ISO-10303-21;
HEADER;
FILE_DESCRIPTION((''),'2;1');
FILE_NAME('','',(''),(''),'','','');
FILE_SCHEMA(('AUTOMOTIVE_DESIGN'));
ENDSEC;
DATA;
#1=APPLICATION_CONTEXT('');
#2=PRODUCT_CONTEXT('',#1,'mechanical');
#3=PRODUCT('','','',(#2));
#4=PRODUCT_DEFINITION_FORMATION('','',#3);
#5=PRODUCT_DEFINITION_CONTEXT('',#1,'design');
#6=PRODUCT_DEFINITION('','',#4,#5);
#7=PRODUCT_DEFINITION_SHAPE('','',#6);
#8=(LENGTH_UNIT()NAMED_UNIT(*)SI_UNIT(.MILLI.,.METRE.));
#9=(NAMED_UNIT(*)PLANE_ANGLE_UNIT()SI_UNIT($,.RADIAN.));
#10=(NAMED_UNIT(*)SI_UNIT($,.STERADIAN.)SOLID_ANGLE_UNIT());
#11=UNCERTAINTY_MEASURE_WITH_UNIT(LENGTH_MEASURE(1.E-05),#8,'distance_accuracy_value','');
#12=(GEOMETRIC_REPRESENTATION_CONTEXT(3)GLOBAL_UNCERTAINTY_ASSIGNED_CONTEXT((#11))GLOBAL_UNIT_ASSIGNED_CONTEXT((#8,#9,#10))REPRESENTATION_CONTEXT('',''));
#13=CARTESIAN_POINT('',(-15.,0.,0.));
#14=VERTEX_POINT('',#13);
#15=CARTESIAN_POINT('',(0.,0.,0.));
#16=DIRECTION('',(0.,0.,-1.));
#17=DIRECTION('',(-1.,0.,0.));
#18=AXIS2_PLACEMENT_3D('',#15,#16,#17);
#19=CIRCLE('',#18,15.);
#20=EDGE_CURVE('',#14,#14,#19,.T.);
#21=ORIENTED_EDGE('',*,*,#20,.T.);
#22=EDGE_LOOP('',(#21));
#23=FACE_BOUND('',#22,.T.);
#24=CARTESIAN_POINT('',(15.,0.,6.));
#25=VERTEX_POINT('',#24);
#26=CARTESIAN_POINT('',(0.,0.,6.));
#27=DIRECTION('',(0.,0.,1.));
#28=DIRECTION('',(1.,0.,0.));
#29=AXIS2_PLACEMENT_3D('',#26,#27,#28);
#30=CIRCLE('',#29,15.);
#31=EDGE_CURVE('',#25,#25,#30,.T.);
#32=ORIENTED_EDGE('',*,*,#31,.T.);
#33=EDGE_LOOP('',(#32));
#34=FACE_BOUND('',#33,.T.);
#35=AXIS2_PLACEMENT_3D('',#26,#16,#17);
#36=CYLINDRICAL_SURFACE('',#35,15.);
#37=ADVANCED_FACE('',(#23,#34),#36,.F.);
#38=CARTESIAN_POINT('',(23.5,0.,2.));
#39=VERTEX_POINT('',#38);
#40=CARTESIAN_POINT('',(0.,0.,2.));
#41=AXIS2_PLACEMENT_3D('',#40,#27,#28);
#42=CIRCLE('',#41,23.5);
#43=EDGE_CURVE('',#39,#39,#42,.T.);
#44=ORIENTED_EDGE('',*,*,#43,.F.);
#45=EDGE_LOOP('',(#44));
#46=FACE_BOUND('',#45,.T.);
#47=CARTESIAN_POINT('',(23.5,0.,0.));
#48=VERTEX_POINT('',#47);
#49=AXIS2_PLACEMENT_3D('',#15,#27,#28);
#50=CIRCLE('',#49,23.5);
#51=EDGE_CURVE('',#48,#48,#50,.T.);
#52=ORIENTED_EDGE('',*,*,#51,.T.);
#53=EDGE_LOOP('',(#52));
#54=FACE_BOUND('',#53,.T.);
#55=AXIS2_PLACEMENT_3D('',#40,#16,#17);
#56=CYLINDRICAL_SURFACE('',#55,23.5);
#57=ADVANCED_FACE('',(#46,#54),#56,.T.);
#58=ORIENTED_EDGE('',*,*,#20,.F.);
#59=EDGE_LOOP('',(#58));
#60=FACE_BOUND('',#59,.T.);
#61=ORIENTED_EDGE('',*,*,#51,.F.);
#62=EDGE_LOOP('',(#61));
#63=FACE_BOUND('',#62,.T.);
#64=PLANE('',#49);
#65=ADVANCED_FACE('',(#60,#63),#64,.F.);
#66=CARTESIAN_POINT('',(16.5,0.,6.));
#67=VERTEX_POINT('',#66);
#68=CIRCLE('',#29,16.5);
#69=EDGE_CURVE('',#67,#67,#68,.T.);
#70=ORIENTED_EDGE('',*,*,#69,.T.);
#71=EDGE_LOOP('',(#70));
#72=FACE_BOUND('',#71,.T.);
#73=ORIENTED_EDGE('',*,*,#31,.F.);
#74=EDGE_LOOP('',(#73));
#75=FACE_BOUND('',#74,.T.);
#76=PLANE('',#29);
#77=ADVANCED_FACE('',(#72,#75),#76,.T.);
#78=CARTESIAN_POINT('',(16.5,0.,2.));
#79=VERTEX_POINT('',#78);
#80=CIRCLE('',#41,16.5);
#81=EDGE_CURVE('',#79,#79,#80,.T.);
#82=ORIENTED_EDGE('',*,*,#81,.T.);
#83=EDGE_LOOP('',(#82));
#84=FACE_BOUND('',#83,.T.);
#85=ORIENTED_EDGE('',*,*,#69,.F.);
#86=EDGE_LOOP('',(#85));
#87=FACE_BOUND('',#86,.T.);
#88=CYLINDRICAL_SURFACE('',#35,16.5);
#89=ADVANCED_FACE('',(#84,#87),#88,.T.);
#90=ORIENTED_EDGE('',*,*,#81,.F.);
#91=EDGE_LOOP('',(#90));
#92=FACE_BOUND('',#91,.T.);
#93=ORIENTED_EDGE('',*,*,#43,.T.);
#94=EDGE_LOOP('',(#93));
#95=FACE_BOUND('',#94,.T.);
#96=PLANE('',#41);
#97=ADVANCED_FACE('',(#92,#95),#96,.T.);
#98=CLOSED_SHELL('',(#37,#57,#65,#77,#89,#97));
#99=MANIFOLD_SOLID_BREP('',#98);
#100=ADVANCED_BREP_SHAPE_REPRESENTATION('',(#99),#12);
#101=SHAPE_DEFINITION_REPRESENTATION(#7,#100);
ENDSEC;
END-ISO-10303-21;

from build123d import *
from build123d.topology import SkipClean

# Parameters (mm, degrees)
SKETCH1_R           = 23.5
BOSS_EXTRUDE1_DEPTH = 2
SKETCH2_R           = 16.5
SKETCH2_R_2         = 15
BOSS_EXTRUDE2_DEPTH = 4
SKETCH3_R           = 15
CUT_EXTRUDE1_DEPTH  = 4


with BuildPart() as part:
    # Sketch1 → Boss-Extrude1 (new body)
    with BuildSketch(Plane.XY):
        Circle(SKETCH1_R)
    extrude(amount=BOSS_EXTRUDE1_DEPTH)

    # Sketch2 → Boss-Extrude2 (add)
    with BuildSketch(Plane.XY.offset(2)):
        Circle(SKETCH2_R)
        Circle(SKETCH2_R_2, mode=Mode.SUBTRACT)
    extrude(amount=BOSS_EXTRUDE2_DEPTH)

    # Sketch3 → Cut-Extrude1 (cut)
    with SkipClean():  # the faces are left unmerged after this step: merging them gives an invalid solid
        with BuildSketch(Plane(origin=(0, 0, 0), x_dir=(-1, 0, 0), z_dir=(0, 0, -1))):
            Circle(SKETCH3_R)
        extrude(amount=-CUT_EXTRUDE1_DEPTH, mode=Mode.SUBTRACT)


solid = part.part
